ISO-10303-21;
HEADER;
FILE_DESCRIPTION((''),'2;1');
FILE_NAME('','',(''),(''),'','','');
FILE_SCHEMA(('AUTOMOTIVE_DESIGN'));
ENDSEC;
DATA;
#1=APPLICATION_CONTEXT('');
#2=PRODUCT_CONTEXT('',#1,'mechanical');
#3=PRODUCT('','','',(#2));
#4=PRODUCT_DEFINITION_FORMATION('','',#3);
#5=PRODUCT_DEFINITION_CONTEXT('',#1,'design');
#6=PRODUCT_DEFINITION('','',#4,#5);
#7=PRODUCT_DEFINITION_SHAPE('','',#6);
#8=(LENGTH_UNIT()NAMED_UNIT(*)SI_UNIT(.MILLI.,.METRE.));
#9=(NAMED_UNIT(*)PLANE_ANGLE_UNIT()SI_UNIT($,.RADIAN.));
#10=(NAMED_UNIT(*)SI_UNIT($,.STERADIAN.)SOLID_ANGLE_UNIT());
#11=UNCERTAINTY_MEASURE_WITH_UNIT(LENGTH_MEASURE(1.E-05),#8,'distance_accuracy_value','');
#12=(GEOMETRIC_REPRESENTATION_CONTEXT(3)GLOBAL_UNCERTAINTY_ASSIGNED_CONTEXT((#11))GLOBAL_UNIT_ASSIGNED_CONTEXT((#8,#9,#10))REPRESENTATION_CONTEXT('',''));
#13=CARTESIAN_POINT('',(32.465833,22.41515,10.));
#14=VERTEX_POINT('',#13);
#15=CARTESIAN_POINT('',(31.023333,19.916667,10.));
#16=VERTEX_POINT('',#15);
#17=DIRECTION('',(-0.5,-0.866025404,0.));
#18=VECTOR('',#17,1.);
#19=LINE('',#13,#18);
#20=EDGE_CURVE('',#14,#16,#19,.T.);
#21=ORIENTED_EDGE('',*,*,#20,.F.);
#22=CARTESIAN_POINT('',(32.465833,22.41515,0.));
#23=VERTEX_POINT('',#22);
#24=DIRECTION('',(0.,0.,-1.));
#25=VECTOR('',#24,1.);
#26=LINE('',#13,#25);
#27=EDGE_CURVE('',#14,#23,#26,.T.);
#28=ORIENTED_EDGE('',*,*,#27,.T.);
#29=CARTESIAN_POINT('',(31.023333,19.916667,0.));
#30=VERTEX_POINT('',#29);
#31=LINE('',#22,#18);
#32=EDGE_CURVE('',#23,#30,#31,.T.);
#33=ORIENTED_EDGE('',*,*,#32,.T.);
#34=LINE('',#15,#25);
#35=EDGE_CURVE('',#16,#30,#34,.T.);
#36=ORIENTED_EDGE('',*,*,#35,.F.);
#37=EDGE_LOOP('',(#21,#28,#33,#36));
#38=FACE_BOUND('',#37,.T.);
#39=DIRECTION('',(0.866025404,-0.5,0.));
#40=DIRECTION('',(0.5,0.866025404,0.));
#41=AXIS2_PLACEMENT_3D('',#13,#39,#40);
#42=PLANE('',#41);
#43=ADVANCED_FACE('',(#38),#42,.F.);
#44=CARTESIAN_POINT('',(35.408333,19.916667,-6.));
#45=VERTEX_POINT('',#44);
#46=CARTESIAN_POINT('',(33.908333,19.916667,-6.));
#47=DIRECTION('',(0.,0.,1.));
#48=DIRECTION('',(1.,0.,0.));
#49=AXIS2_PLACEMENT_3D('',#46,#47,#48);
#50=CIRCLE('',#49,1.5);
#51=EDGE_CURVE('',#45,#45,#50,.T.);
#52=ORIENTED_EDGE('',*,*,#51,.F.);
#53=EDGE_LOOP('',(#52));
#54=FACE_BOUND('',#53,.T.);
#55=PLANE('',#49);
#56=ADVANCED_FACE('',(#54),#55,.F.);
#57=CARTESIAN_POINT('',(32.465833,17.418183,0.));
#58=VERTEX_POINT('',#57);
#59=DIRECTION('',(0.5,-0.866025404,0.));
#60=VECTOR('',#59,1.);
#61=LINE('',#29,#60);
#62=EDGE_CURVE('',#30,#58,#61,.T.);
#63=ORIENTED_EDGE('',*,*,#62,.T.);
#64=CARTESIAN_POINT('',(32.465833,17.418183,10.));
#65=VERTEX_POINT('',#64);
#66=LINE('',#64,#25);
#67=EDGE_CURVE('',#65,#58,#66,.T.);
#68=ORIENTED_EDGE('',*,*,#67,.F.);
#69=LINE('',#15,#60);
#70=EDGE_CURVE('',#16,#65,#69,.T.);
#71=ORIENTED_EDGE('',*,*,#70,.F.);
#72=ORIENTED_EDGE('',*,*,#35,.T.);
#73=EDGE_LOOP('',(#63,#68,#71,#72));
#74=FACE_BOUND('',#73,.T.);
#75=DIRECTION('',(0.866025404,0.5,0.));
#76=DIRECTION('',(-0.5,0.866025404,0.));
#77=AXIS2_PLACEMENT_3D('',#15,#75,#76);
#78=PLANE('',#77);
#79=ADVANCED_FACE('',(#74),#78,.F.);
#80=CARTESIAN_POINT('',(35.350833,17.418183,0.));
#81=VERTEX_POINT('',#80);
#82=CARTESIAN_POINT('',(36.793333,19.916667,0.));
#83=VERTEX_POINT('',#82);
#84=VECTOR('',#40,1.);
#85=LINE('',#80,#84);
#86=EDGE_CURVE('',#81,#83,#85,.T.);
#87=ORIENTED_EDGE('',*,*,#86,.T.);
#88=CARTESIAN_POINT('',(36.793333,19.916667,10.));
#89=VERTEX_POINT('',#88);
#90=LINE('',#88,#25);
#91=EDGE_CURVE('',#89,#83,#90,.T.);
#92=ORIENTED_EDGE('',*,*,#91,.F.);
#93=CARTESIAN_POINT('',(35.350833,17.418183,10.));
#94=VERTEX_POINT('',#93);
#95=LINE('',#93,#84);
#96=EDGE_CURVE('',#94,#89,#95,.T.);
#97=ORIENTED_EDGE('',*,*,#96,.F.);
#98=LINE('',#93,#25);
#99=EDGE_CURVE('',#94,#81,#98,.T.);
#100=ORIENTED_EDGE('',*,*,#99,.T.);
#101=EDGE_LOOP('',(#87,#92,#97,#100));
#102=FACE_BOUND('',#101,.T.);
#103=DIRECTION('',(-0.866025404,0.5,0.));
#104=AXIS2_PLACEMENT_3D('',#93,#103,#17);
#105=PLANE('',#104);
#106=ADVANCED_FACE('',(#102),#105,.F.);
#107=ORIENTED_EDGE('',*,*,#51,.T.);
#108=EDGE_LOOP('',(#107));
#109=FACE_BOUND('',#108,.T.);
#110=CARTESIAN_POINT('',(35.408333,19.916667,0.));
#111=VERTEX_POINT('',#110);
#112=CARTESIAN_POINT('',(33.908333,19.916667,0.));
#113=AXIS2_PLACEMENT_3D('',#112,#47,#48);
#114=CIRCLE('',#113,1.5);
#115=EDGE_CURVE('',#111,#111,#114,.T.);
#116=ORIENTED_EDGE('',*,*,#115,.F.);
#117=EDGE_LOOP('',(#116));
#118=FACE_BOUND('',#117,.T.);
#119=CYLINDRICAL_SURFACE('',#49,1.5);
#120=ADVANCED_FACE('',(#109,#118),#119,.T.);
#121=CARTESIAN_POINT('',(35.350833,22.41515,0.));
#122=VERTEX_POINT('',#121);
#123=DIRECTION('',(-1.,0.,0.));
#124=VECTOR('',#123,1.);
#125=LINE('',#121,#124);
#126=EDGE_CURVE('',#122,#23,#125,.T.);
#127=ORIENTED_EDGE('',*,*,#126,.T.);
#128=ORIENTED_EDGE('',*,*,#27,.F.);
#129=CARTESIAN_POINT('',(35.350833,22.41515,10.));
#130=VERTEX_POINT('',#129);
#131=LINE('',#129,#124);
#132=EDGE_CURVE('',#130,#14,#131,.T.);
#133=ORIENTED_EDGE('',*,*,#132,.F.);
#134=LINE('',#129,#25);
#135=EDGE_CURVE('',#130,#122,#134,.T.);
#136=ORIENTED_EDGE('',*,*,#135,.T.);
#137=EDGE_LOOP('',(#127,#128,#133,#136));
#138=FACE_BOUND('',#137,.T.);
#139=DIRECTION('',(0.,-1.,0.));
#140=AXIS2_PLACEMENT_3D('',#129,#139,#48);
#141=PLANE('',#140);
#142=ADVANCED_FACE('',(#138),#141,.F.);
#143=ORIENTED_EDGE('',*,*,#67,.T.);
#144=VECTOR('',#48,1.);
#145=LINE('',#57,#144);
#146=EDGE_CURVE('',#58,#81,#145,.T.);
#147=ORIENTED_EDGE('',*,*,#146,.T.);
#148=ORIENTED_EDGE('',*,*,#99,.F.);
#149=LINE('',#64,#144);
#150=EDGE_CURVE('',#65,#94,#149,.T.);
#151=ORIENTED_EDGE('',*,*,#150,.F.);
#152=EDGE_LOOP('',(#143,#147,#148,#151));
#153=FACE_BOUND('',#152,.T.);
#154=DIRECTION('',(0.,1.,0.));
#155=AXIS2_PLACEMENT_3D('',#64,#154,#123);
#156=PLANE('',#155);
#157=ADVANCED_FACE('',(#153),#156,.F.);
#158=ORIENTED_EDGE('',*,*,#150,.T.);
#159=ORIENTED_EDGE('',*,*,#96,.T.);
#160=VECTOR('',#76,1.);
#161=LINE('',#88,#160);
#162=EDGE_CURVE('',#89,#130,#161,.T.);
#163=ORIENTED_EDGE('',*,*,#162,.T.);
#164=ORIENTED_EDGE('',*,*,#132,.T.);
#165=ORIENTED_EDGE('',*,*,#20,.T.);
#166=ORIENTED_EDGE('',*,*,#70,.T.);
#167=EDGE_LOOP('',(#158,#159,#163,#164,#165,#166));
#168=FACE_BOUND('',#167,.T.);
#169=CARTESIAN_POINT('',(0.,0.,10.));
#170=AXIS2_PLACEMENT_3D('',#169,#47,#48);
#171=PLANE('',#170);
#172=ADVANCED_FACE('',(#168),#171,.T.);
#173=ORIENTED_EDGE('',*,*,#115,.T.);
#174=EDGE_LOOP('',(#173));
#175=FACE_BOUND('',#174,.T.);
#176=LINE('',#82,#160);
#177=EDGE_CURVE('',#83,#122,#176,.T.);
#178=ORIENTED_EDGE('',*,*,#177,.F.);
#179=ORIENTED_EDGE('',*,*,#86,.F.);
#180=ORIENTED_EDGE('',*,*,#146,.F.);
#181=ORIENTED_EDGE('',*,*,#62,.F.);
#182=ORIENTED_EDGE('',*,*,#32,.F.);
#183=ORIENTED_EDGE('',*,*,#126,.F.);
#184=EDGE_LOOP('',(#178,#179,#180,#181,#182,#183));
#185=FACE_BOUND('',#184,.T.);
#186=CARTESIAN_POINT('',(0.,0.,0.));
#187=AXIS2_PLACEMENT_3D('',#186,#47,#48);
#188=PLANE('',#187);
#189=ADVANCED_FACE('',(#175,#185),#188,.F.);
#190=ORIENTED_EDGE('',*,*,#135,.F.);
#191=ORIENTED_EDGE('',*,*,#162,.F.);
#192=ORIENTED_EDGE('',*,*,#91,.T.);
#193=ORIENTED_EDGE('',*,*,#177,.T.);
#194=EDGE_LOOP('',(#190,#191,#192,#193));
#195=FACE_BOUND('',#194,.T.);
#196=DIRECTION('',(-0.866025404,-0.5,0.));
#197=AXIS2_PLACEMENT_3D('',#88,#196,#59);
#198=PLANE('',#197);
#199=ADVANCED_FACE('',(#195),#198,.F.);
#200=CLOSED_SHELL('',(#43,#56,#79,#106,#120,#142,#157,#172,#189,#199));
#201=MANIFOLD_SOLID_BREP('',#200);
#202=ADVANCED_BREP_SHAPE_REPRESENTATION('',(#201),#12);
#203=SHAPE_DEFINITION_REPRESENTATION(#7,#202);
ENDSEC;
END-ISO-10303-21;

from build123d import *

# Parameters (mm, degrees)
SALIENTE_EXTRUIR1_DEPTH = 10
CORTE_EXTERIOR_R        = 1.5
SALIENTE_EXTRUIR2_DEPTH = 6


with BuildPart() as part:
    # Sketch 0 → Saliente-Extruir1 (new body)
    with BuildSketch(Plane.XY):
        Polygon((35.350833333, 22.415149957), (32.465833333, 22.415149957), (31.023333333, 19.916666667), (32.465833333, 17.418183377), (35.350833333, 17.418183377), (36.793333333, 19.916666667), align=None)
    extrude(amount=SALIENTE_EXTRUIR1_DEPTH)

    # Corte exterior → Saliente-Extruir2 (add)
    with BuildSketch(Plane.XY):
        with Locations((33.908333333, 19.916666667)):
            Circle(CORTE_EXTERIOR_R)
    extrude(amount=-SALIENTE_EXTRUIR2_DEPTH)


solid = part.part
